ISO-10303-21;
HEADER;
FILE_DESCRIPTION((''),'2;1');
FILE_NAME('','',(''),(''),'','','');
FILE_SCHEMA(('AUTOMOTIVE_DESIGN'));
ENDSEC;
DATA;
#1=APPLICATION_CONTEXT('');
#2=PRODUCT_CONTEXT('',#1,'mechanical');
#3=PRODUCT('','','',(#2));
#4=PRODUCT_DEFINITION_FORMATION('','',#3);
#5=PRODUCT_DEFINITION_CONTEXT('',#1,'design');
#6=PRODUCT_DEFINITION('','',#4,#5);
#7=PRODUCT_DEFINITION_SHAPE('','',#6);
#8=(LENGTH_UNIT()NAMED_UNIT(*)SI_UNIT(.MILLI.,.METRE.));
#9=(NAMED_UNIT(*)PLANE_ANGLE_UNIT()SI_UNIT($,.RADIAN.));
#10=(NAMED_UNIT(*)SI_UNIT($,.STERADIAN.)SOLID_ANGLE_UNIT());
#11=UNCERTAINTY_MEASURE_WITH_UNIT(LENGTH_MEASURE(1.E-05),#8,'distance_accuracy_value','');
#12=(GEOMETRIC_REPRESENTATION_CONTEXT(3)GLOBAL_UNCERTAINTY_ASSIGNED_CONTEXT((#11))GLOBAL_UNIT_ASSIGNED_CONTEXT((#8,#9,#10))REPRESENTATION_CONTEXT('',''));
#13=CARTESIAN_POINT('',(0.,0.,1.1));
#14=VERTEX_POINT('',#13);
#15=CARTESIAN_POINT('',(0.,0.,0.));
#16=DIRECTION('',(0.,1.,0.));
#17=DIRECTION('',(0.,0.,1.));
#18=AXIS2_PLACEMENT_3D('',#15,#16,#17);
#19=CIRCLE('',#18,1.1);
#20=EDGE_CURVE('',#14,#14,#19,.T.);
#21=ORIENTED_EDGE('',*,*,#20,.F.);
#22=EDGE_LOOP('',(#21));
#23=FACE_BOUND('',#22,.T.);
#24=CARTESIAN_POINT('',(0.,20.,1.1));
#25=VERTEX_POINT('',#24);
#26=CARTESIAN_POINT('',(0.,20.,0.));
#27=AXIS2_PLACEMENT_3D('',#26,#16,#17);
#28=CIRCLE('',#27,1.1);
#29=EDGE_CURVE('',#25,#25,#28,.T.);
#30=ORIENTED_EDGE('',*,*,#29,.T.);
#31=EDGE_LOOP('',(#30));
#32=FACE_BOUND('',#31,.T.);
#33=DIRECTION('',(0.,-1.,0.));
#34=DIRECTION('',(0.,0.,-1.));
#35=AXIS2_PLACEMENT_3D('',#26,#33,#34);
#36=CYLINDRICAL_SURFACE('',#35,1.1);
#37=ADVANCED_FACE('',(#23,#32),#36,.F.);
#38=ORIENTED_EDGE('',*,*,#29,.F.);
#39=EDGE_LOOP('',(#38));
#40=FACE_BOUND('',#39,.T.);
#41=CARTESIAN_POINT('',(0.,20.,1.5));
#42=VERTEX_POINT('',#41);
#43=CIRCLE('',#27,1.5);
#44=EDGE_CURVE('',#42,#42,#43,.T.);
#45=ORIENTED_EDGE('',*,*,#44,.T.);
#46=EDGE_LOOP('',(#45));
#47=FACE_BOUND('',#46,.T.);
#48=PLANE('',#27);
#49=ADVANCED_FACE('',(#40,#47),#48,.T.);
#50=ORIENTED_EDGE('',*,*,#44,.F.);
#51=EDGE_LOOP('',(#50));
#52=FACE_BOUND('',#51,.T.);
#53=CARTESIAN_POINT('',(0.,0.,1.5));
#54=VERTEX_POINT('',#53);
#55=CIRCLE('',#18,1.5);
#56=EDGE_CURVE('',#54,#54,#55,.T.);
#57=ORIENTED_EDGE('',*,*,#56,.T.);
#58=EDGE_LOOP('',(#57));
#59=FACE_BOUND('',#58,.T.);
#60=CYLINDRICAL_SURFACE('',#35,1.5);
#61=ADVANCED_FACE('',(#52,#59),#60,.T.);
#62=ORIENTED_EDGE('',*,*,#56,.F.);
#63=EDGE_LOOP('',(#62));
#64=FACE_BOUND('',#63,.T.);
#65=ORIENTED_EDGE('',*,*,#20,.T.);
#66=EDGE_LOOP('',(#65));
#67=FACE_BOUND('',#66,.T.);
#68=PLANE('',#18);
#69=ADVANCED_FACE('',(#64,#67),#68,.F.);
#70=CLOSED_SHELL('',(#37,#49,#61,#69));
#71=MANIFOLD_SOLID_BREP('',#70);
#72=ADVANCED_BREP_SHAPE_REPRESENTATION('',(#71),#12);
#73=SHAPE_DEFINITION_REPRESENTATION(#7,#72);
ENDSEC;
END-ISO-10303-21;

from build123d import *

# Parameters (mm, degrees)
SKETCH1_R      = 1.5
SKETCH1_R_2    = 1.1
EXTRUDE1_DEPTH = 20


with BuildPart() as part:
    # Sketch1 → Extrude1 (new body)
    with BuildSketch(Plane(origin=(0, 0, 0), x_dir=(1, 0, 0), z_dir=(0, 1, 0))):
        with Locations(Location((0, 0, 0), (0, 0, 270))):  # turned: the seam where the file's is
            Circle(SKETCH1_R)
        with Locations(Location((0, 0, 0), (0, 0, 270))):  # turned: the seam where the file's is
            Circle(SKETCH1_R_2, mode=Mode.SUBTRACT)
    extrude(amount=EXTRUDE1_DEPTH)


solid = part.part
